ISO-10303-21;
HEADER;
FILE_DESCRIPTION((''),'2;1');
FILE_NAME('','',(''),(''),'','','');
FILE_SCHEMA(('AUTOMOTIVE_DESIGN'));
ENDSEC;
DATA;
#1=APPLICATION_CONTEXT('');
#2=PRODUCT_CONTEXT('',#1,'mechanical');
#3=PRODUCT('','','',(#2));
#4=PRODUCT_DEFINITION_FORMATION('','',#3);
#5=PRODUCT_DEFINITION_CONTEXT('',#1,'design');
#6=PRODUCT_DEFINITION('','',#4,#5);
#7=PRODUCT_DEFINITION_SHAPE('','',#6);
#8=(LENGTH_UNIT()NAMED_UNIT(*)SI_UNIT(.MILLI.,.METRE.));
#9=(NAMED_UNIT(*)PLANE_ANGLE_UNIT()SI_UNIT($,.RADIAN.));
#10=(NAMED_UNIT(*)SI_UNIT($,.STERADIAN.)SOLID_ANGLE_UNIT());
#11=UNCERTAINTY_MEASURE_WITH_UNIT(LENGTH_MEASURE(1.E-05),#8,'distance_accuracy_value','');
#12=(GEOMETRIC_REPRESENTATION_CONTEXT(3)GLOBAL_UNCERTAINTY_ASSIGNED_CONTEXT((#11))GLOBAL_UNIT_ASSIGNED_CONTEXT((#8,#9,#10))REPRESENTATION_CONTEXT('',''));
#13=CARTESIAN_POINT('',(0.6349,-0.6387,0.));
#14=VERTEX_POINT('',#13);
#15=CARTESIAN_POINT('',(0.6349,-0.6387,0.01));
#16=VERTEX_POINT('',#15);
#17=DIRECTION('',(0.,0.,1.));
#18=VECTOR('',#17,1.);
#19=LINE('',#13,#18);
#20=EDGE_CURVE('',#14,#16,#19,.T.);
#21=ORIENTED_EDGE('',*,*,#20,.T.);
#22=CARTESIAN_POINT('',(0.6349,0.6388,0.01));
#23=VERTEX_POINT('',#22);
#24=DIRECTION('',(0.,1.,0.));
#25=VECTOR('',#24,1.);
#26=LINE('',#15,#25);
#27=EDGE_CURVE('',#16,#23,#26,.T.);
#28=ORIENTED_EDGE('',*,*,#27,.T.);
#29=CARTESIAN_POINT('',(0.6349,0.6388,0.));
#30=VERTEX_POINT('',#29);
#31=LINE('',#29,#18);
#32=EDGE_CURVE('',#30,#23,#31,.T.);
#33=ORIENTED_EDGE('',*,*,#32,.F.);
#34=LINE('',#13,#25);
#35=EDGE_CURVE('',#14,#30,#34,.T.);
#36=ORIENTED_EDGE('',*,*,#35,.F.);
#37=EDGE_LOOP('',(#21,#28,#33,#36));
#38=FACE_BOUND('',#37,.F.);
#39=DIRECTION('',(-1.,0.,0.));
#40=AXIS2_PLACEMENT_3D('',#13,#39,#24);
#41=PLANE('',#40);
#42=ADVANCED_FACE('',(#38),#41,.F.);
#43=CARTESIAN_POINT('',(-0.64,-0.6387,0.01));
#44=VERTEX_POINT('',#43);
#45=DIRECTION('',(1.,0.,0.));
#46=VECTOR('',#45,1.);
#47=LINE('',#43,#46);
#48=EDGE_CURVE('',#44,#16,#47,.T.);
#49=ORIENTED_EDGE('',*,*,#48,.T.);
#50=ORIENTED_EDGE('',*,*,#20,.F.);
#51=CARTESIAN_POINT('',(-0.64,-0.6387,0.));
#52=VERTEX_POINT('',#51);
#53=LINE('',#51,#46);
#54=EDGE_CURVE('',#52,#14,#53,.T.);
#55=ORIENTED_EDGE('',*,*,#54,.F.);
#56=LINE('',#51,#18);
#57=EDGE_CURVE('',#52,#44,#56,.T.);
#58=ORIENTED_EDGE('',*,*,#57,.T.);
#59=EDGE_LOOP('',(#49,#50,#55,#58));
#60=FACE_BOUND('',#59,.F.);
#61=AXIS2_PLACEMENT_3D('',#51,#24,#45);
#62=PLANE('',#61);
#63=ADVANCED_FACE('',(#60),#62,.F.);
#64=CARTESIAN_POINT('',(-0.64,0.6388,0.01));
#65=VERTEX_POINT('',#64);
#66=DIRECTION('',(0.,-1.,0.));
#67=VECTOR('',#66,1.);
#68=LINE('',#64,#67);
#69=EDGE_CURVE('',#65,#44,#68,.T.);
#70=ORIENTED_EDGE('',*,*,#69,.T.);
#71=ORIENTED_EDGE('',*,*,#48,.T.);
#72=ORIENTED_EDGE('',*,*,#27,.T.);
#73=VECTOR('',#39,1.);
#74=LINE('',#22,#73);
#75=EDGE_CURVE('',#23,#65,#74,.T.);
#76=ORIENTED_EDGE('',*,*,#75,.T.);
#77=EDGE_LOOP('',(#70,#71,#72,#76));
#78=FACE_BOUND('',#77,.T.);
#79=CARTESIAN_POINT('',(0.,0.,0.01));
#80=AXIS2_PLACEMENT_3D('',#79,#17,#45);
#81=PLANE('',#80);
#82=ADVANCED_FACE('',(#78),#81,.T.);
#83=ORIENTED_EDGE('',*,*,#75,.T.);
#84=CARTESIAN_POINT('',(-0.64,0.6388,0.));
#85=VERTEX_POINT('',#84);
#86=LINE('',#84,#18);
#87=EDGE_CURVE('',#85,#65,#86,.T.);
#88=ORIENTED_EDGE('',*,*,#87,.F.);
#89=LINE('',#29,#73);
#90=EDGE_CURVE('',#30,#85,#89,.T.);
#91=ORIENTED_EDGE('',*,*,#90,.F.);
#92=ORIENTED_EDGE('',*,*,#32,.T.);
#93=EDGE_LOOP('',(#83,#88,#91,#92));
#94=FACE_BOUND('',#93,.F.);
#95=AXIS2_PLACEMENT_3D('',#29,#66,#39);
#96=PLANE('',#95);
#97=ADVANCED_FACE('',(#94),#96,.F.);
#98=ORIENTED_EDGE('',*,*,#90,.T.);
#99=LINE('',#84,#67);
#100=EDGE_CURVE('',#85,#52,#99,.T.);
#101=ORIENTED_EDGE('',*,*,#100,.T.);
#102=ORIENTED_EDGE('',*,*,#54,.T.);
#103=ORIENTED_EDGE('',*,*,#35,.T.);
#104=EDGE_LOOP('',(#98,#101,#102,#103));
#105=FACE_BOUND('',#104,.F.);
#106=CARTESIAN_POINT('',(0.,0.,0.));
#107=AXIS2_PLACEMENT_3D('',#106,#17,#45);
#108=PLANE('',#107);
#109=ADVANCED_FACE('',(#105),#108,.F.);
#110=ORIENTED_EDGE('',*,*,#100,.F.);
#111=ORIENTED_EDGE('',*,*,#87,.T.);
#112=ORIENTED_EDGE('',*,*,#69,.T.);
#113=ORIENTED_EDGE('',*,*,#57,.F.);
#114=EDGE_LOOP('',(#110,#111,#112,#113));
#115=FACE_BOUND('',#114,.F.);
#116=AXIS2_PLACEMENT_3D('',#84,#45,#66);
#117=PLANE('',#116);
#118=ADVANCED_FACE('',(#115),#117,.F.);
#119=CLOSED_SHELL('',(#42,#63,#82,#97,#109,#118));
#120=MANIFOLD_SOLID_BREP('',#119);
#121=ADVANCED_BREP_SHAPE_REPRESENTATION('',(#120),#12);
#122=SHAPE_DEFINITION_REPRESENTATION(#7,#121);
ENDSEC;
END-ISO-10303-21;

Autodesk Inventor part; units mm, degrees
ref_plane "YZ Plane" through (0, 0, 0) normal (1, 0, 0) x (0, 1, 0)
ref_plane "XZ Plane" through (0, 0, 0) normal (0, 1, 0) x (-1, 0, 0)
ref_plane "XY Plane" through (0, 0, 0) normal (0, 0, 1) x (1, 0, 0)
sketch "TP1-27, TestPoint_13" plane through (0, 0, 0) normal (0, 0, 1) x (1, 0, 0)
  line L0 (-0.64, -0.6387) -> (0.6349, -0.6387)
  line L1 (0.6349, -0.6387) -> (0.6349, 0.6388)
  line L2 (0.6349, 0.6388) -> (-0.64, 0.6388)
  line L3 (-0.64, 0.6388) -> (-0.64, -0.6387)
extrude "Extrusion1" add sketch "TP1-27, TestPoint_13" along normal blind 0.01
properties part number "TestPoint"
